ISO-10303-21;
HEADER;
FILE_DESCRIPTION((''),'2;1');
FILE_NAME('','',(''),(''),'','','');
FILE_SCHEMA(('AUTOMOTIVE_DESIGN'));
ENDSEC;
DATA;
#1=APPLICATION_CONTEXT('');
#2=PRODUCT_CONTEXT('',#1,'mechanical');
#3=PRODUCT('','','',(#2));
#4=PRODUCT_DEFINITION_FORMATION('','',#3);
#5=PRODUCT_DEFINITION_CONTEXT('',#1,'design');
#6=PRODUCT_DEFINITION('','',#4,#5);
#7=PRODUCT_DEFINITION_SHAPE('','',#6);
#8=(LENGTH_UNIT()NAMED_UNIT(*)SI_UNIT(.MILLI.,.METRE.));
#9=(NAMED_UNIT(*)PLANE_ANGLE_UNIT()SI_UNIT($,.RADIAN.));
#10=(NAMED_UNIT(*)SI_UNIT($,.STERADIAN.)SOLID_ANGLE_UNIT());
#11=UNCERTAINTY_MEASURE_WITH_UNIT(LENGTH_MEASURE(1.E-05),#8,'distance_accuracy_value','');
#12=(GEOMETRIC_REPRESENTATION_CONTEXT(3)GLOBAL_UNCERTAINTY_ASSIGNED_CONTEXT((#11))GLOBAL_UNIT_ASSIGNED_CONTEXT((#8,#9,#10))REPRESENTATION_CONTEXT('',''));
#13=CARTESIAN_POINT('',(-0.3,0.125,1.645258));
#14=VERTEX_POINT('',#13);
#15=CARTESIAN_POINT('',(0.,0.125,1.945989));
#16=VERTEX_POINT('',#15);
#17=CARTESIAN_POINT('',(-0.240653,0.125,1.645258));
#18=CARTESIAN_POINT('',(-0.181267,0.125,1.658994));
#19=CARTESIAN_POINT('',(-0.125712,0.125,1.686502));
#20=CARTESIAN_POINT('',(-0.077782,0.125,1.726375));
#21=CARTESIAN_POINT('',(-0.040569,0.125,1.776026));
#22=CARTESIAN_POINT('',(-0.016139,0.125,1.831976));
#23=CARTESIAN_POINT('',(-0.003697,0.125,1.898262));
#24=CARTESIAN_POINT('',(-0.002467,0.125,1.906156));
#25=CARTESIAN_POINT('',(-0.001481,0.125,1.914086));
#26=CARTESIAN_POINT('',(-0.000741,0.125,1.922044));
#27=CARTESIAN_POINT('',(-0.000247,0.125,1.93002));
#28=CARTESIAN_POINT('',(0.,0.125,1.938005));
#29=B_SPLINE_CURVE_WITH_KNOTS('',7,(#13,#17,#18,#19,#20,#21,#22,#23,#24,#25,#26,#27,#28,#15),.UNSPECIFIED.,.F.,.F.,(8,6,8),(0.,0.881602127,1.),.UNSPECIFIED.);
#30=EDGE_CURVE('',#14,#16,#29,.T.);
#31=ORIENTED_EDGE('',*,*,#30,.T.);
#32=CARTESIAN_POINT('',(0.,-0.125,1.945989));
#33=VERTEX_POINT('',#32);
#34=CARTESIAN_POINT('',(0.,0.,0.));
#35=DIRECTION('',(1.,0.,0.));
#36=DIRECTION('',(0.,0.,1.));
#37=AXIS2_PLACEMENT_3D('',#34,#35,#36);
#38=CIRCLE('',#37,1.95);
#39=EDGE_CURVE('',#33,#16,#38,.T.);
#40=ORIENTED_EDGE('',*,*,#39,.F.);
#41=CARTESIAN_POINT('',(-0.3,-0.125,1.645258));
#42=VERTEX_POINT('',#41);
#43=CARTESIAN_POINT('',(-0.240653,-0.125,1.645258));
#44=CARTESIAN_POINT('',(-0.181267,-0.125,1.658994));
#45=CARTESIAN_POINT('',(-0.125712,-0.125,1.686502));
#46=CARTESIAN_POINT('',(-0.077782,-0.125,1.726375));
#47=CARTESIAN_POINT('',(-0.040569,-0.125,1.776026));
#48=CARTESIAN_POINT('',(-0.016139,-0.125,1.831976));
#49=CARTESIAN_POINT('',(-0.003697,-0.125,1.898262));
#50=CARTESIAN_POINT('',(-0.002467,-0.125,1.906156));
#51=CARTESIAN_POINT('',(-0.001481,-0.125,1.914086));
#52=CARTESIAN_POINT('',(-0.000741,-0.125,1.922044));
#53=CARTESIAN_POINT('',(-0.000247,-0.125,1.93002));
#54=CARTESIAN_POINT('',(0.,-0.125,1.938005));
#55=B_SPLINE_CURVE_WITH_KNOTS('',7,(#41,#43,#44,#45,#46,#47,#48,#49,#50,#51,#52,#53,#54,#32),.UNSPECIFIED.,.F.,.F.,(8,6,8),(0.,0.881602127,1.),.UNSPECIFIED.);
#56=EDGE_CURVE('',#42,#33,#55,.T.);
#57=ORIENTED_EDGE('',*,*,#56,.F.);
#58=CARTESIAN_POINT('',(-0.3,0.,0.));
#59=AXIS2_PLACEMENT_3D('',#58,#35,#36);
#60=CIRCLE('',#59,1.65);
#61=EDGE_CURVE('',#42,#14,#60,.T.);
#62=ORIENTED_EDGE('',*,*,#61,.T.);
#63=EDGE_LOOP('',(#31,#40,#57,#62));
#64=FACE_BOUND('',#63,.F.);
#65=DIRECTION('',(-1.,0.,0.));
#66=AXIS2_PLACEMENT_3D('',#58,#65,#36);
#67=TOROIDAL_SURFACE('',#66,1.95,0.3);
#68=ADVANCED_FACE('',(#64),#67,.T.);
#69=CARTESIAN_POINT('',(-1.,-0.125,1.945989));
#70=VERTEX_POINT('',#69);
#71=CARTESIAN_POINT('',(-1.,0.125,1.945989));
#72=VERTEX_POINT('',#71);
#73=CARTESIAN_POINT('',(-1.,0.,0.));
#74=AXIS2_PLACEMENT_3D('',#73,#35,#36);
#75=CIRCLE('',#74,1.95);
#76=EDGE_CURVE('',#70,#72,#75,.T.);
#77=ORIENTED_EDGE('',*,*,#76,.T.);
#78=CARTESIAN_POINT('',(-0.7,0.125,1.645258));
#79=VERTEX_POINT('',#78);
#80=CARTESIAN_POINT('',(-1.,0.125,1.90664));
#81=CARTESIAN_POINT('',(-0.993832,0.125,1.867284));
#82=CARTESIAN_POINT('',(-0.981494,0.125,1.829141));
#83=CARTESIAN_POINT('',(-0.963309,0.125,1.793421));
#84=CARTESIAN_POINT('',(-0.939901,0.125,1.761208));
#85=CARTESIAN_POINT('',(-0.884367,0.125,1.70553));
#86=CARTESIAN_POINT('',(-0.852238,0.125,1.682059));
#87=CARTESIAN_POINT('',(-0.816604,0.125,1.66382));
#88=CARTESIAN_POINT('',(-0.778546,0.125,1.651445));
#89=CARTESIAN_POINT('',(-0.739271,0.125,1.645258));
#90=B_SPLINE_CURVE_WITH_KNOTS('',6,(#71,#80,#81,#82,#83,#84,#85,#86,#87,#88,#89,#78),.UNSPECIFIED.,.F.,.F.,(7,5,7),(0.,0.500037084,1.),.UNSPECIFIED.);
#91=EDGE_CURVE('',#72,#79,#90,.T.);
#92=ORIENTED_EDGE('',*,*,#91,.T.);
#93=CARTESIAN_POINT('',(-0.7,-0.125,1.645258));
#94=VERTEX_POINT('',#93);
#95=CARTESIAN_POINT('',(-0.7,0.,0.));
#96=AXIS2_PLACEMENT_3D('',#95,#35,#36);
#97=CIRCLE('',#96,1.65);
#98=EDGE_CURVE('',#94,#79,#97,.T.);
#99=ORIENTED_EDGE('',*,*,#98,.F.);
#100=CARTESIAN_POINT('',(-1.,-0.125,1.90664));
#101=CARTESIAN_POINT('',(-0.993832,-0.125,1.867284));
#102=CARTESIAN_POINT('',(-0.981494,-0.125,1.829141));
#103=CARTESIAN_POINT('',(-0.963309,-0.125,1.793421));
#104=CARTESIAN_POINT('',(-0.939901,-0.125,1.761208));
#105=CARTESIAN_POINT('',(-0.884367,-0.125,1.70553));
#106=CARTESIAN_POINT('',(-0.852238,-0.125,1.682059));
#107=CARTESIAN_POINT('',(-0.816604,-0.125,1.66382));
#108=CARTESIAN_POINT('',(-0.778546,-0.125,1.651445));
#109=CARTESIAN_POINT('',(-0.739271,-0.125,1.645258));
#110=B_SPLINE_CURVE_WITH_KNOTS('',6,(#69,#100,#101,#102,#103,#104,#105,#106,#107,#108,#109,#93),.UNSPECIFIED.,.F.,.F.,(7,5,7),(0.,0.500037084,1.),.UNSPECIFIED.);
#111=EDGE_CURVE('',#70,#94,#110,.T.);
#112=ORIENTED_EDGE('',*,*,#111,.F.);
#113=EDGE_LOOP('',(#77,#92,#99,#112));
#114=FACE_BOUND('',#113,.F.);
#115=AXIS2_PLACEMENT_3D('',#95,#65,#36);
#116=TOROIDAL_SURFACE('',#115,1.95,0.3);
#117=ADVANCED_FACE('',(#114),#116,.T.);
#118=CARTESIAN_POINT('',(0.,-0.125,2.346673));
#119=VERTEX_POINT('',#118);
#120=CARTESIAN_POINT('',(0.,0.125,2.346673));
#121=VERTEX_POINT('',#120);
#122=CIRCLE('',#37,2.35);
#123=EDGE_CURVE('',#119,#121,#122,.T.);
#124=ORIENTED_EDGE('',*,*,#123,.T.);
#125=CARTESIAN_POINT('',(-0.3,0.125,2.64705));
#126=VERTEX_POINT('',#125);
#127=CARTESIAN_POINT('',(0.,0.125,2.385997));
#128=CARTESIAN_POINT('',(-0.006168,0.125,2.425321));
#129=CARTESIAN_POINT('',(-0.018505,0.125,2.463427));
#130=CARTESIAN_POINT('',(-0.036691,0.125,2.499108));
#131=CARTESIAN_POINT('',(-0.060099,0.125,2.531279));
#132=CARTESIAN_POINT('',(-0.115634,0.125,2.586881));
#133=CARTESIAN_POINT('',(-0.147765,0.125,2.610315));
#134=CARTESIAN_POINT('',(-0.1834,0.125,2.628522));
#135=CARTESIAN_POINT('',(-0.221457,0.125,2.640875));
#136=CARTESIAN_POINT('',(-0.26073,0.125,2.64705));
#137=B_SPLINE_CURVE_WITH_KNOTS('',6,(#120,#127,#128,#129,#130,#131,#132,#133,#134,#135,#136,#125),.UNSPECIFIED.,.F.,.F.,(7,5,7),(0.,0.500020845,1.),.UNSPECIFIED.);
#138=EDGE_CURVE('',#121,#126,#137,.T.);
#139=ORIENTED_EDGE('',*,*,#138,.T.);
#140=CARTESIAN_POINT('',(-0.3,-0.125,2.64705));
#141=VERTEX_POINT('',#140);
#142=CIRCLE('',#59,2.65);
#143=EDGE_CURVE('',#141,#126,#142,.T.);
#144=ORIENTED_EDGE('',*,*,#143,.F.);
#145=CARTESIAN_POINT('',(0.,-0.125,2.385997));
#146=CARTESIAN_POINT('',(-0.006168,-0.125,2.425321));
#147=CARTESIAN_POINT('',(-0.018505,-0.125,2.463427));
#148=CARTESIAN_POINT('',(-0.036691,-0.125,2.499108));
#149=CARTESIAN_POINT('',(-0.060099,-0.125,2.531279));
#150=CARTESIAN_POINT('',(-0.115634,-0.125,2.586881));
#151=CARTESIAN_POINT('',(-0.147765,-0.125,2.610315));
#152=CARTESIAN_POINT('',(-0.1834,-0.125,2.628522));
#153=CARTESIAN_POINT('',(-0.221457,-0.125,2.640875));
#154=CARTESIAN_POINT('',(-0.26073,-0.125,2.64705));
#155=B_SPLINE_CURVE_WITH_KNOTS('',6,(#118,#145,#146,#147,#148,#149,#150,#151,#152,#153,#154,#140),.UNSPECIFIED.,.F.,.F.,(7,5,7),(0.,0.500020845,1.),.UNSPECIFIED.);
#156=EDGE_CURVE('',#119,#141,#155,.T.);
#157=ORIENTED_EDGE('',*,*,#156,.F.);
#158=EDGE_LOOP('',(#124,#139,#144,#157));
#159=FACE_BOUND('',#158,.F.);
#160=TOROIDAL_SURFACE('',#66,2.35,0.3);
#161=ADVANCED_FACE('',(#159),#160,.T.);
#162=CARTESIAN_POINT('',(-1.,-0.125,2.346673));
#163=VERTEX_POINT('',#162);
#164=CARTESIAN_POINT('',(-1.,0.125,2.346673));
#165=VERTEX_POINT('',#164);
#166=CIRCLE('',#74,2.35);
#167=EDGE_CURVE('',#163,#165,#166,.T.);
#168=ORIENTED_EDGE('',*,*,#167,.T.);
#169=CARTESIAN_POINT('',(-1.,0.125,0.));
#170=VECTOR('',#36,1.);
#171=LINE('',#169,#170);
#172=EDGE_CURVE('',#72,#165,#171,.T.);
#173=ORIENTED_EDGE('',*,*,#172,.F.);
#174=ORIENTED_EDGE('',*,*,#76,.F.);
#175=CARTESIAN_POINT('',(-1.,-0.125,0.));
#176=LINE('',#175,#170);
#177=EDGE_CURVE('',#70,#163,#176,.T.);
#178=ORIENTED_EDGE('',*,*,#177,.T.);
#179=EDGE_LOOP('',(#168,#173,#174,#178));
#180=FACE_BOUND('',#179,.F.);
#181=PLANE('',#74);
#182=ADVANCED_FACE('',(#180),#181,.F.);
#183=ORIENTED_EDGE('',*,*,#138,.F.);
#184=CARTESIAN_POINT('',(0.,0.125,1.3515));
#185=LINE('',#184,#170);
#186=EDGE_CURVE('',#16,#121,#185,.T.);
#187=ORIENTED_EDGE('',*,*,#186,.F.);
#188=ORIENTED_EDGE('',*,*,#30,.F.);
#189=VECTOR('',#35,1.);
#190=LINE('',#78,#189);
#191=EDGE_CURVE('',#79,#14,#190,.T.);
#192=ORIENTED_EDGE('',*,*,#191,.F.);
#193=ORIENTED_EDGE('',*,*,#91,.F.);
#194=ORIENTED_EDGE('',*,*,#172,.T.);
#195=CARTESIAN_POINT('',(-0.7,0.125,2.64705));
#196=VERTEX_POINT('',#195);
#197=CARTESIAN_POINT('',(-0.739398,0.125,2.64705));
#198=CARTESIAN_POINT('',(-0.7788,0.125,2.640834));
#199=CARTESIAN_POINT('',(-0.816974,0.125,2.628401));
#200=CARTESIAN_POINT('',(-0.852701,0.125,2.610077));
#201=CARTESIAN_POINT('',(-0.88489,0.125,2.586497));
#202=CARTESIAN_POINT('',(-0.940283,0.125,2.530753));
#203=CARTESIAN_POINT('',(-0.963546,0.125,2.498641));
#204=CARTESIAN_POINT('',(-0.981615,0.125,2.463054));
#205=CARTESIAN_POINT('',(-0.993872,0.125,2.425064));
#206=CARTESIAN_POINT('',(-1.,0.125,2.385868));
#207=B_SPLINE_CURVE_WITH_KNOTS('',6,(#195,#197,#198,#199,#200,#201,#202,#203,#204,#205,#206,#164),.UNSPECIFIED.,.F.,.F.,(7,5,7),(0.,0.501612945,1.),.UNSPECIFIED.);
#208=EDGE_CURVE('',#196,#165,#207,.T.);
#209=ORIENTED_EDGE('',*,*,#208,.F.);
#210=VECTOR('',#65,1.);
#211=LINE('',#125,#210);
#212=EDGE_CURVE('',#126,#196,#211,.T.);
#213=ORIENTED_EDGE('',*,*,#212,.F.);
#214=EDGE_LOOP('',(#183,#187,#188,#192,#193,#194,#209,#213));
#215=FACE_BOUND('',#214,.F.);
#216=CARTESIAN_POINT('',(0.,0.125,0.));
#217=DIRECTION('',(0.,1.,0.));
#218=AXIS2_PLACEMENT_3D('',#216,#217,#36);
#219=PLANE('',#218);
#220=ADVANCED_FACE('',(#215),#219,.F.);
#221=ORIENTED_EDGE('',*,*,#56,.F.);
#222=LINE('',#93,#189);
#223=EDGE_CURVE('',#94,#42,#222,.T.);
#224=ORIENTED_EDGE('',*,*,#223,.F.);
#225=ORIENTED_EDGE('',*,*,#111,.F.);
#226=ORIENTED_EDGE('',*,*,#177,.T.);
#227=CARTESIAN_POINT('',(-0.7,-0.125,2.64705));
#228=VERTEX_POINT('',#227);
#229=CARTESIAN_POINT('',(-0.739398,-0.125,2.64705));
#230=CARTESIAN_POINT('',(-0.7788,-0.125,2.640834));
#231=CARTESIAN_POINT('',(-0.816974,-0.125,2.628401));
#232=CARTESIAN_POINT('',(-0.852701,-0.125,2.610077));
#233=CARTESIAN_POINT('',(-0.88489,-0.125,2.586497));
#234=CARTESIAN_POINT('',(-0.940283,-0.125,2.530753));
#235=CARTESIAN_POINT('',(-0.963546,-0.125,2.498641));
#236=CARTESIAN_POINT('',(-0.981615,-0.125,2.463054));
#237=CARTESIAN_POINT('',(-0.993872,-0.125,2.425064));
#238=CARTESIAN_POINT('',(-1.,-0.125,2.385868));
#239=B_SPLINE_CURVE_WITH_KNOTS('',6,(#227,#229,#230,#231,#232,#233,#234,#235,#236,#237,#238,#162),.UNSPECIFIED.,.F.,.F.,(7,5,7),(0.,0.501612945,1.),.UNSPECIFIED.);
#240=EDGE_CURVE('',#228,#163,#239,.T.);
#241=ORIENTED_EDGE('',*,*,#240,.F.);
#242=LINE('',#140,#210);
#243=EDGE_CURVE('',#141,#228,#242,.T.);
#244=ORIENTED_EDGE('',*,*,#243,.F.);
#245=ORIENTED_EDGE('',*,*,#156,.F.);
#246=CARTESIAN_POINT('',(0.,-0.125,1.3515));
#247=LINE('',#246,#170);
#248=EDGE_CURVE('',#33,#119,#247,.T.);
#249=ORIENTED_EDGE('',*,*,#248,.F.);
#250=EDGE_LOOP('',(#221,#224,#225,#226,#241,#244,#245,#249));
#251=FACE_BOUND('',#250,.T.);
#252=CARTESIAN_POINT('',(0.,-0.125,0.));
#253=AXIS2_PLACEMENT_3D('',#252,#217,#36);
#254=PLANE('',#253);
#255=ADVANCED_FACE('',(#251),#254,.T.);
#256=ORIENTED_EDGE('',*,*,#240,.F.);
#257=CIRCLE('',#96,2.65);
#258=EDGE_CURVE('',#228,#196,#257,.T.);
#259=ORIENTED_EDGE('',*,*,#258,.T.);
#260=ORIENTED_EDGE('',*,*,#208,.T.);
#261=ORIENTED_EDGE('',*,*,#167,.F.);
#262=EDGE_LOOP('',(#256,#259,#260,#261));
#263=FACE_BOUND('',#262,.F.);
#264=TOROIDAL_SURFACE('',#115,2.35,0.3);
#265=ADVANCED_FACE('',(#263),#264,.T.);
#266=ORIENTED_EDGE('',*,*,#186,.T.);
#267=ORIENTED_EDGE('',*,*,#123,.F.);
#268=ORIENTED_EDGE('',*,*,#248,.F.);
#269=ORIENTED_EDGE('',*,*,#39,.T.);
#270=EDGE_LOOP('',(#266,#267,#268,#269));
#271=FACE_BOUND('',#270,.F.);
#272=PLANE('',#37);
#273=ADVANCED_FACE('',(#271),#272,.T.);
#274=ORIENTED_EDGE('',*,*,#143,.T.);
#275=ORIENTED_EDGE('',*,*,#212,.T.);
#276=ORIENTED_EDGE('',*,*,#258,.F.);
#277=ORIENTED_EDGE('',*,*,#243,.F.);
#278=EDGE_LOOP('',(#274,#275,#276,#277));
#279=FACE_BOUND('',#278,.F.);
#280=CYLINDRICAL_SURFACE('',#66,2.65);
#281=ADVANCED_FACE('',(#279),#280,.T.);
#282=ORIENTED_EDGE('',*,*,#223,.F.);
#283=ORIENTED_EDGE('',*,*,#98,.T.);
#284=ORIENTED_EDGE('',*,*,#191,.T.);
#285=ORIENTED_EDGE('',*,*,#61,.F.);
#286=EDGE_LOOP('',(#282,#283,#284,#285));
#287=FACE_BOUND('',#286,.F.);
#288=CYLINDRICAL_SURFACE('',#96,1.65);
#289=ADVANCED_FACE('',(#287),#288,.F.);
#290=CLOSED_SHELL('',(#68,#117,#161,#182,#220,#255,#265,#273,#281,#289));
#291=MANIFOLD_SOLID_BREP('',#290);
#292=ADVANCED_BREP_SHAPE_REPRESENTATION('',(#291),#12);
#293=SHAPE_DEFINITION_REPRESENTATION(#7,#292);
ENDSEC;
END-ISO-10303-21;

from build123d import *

# Parameters (mm, degrees)
SKETCH2_W = 0.25
SKETCH2_H = 2.703
GAP_DEPTH = 4.878788607


with BuildPart() as part:
    # Sketch1 → Base-Revolve (revolve)
    with BuildSketch(Plane.XY, mode=Mode.PRIVATE) as base_revolve_sk:
        with BuildLine():
            Line((0, 1.95), (0, 2.35))
            ThreePointArc((0, 2.35), (-0.087867966, 2.562132034), (-0.3, 2.65))
            Line((-0.3, 2.65), (-0.7, 2.65))
            ThreePointArc((-0.7, 2.65), (-0.912132034, 2.562132034), (-1, 2.35))
            Line((-1, 2.35), (-1, 1.95))
            ThreePointArc((-1, 1.95), (-0.912132034, 1.737867966), (-0.7, 1.65))
            Line((-0.7, 1.65), (-0.3, 1.65))
            ThreePointArc((-0.3, 1.65), (-0.087867966, 1.737867966), (0, 1.95))
        make_face()
    revolve(base_revolve_sk.sketch.rotate(Axis((-34.925, 0, 0), (1, 0, 0)), 90), axis=Axis((-34.925, 0, 0), (1, 0, 0)))

    # Sketch2 → Gap (cut, through all)
    with BuildSketch(Plane(origin=(0, 0, 0), x_dir=(0, -1, 0), z_dir=(-1, 0, 0))):
        with Locations((0, 1.3515)):
            Rectangle(SKETCH2_W, SKETCH2_H)
    extrude(amount=GAP_DEPTH, mode=Mode.SUBTRACT)


solid = part.part
